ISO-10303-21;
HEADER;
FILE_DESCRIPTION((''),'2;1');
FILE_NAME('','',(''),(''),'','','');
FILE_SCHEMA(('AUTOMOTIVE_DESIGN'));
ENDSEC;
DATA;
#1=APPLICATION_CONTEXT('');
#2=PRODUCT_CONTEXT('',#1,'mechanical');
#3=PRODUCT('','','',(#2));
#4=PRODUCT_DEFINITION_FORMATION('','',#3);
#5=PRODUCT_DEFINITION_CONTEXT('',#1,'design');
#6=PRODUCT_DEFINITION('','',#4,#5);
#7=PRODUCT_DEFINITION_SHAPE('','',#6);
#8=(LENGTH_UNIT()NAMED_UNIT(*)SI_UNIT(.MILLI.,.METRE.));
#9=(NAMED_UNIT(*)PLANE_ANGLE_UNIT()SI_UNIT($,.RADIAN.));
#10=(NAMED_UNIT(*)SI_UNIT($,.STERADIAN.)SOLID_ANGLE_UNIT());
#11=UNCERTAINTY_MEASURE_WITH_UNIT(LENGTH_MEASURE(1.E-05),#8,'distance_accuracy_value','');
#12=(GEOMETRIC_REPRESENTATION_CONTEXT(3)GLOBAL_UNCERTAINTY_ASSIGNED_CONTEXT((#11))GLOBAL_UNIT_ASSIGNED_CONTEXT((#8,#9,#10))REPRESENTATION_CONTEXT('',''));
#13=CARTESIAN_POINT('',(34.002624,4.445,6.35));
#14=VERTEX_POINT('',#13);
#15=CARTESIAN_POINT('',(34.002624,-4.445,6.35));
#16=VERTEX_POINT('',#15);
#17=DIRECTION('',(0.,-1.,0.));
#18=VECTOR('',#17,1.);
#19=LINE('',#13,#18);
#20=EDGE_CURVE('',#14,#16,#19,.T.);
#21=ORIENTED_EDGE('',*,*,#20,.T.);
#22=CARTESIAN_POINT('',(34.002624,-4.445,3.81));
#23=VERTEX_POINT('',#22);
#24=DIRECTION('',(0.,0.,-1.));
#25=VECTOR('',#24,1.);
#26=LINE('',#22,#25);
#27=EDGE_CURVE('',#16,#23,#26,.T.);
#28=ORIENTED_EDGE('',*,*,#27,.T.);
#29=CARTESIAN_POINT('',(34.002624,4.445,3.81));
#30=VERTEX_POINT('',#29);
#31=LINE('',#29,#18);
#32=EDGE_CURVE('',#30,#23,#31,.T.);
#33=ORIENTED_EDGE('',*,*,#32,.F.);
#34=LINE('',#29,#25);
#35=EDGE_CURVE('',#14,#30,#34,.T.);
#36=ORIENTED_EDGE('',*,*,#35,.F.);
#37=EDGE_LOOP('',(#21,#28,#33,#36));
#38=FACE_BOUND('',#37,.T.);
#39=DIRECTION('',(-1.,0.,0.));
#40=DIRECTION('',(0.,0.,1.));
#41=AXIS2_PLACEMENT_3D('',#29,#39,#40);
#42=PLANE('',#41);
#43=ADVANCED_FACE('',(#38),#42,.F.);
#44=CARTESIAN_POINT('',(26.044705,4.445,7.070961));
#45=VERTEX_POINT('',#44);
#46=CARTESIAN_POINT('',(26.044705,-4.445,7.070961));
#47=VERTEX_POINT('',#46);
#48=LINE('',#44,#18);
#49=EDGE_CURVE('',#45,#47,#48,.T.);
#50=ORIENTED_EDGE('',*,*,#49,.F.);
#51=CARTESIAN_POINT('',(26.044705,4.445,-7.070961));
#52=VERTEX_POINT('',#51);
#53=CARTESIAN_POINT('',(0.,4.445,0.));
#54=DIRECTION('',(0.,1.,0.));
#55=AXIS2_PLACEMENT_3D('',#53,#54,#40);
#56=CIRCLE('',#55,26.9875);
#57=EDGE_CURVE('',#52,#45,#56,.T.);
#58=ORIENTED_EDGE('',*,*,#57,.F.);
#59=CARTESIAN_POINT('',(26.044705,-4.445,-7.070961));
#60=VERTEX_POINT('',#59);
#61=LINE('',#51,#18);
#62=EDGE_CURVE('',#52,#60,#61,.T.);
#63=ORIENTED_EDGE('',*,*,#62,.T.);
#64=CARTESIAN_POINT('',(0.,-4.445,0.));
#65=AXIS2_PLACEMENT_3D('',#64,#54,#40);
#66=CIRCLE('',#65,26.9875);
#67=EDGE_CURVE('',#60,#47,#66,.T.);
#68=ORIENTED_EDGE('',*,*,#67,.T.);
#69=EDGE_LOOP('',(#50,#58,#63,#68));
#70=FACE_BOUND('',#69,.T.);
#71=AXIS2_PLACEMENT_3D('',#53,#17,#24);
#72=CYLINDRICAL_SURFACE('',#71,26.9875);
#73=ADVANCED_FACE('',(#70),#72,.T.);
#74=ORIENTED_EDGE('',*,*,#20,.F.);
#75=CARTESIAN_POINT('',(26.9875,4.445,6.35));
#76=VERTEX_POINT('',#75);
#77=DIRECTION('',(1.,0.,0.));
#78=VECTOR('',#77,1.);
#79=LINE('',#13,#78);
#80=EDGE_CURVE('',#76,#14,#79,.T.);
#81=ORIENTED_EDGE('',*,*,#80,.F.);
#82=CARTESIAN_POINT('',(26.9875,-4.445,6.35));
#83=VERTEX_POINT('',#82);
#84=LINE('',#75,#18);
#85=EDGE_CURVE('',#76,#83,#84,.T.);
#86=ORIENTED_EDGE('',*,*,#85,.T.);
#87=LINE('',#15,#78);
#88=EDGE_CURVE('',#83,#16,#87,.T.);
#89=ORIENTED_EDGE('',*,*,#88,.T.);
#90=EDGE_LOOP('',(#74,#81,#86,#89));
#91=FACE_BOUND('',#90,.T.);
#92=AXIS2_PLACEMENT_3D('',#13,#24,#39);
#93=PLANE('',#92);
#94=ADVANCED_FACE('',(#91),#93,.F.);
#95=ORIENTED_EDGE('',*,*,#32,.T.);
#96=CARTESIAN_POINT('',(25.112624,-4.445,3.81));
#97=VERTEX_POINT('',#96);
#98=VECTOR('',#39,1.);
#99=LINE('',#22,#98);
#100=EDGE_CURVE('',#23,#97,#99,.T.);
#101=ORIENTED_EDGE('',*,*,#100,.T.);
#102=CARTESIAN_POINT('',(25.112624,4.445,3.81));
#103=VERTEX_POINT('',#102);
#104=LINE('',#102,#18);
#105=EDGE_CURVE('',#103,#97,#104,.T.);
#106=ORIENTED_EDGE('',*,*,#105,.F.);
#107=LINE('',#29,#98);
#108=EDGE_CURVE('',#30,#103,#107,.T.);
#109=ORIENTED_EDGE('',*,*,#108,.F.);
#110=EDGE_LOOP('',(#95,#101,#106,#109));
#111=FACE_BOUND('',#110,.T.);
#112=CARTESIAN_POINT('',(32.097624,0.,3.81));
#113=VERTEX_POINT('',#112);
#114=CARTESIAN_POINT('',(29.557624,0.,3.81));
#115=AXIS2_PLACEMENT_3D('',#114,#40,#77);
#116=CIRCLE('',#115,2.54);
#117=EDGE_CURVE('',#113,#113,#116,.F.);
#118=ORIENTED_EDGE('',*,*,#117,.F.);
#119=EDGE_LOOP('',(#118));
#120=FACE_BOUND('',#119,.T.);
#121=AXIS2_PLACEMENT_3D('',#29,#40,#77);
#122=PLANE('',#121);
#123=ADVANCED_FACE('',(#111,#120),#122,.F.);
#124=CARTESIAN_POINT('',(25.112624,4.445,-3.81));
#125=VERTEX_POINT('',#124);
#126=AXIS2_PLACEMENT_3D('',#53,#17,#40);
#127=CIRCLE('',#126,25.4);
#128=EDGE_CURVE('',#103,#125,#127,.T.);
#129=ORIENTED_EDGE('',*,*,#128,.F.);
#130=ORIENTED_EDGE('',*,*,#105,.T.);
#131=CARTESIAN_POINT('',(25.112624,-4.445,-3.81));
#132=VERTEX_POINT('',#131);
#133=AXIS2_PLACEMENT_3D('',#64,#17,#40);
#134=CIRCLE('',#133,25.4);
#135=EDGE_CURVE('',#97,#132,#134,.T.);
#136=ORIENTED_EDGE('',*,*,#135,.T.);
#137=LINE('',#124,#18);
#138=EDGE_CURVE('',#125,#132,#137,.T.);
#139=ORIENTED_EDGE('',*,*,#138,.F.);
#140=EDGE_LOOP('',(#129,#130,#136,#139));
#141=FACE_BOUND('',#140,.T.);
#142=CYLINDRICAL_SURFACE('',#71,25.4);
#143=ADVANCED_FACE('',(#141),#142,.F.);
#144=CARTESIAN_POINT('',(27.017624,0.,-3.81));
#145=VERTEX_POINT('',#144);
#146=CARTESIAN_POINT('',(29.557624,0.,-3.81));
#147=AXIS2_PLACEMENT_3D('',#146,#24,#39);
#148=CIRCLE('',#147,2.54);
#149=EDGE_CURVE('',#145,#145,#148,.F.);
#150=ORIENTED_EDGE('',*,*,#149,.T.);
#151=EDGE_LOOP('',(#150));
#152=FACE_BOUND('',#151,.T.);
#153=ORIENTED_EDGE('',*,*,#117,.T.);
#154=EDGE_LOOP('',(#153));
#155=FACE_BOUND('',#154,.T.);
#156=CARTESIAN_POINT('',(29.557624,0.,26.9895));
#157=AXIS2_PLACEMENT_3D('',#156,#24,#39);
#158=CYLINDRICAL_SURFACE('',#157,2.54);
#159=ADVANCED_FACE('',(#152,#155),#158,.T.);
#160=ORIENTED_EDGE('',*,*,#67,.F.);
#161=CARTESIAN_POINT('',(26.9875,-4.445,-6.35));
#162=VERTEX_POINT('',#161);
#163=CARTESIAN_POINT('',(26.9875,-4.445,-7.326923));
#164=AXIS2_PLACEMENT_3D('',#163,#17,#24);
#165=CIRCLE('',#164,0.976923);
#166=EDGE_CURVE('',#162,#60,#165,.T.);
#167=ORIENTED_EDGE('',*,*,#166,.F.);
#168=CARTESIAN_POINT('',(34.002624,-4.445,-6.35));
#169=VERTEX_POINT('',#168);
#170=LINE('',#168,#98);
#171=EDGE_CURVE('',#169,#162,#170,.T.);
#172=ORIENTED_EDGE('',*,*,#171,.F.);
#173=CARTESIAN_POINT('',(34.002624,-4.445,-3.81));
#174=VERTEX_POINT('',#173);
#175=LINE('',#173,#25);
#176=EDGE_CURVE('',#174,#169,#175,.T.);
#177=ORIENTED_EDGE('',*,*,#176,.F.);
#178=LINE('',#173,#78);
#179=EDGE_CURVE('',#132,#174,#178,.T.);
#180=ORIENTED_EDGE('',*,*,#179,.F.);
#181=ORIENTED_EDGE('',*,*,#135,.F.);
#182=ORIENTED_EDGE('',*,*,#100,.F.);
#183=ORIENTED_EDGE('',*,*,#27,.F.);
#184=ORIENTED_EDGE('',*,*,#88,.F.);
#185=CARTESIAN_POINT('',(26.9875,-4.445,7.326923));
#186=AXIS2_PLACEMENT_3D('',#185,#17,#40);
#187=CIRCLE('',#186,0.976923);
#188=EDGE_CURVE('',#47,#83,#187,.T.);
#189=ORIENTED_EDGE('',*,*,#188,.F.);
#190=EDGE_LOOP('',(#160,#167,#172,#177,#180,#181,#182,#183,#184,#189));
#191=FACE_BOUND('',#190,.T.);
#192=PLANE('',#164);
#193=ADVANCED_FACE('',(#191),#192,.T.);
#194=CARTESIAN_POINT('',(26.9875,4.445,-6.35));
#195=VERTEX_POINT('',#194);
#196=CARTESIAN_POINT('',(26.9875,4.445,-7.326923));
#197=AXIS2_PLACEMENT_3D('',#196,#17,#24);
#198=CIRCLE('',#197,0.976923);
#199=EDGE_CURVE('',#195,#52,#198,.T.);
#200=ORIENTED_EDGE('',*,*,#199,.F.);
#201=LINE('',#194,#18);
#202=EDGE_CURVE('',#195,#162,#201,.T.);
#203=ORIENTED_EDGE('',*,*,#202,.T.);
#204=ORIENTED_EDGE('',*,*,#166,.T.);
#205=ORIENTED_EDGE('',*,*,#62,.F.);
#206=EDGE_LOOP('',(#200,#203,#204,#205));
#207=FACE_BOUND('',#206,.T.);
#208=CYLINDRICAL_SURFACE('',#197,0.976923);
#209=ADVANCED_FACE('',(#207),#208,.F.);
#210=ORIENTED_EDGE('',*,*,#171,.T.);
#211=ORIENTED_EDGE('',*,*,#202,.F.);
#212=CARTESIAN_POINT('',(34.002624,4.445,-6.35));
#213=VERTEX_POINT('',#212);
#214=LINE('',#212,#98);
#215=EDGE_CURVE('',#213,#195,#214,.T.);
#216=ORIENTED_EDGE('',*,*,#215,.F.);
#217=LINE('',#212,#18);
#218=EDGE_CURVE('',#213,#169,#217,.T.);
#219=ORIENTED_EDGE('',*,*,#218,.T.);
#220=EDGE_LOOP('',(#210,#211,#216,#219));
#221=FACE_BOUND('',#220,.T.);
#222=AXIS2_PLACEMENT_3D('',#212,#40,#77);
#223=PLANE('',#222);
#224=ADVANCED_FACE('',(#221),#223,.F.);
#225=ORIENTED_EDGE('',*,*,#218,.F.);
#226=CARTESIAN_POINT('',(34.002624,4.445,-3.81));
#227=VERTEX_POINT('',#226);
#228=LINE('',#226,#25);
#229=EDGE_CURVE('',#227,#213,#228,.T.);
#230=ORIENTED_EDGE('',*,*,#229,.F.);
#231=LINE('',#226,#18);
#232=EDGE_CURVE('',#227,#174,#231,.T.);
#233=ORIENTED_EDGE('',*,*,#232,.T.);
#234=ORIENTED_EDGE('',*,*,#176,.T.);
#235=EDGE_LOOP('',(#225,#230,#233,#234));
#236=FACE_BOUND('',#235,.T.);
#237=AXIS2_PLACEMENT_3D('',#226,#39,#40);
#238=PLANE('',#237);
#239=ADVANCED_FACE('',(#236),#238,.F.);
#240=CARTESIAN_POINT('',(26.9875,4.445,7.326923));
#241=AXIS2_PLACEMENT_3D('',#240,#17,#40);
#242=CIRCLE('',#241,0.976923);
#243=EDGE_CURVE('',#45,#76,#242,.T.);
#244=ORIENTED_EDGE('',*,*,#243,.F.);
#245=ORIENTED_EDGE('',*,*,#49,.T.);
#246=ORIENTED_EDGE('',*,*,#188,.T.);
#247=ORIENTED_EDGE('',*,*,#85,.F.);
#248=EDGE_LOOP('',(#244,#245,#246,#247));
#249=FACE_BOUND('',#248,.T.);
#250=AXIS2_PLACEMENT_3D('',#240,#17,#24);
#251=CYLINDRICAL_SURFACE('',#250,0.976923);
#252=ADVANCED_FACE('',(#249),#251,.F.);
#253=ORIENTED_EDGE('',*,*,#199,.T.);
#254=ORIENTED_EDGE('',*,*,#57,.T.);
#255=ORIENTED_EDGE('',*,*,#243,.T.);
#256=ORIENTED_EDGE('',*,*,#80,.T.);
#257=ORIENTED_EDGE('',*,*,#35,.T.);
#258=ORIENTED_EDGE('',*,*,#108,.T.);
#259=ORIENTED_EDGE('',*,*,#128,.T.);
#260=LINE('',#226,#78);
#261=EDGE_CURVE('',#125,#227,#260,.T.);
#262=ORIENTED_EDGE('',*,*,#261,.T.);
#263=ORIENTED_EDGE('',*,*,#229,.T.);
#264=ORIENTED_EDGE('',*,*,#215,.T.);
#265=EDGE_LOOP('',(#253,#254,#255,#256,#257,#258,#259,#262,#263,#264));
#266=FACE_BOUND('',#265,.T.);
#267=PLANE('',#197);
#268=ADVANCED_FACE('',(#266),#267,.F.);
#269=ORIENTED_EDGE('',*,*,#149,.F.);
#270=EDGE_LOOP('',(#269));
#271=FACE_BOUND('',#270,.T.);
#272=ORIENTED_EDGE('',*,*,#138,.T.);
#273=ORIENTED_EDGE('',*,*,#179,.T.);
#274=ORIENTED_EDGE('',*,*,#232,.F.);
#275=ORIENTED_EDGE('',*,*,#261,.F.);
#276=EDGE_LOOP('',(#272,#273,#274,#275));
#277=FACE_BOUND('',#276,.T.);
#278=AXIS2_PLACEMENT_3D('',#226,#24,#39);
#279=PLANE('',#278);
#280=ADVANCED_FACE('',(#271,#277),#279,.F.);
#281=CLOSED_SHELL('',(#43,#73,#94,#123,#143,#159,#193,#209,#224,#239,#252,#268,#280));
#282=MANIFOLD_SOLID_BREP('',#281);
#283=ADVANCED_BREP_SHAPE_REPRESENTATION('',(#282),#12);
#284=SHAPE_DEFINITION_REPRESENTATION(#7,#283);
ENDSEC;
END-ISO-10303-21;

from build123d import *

# Parameters (mm, degrees)
BOSS_EXTRUDE1_DEPTH = 4.445
BOSS_EXTRUDE2_REACH = 32.797
SKETCH2_R           = 2.54


with BuildPart() as part:
    # Sketch1 → Boss-Extrude1 (new body, symmetric)
    with BuildSketch(Plane(origin=(0, 0, 0), x_dir=(1, 0, 0), z_dir=(0, 1, 0))):
        with BuildLine():
            Line((34.002624315, 3.81), (25.112624315, 3.81))
            ThreePointArc((25.112624315, 3.81), (-25.4, 0), (25.112624315, -3.81))
            Line((25.112624315, -3.81), (34.002624315, -3.81))
            Line((34.002624315, -3.81), (34.002624315, -6.35))
            Line((34.002624315, -6.35), (26.9875, -6.35))
            ThreePointArc((26.9875, -6.35), (26.394067972, -6.550896579), (26.04470524, -7.070960699))
            ThreePointArc((26.04470524, -7.070960699), (-26.9875, 0), (26.04470524, 7.070960699))
            ThreePointArc((26.04470524, 7.070960699), (26.394067972, 6.550896579), (26.9875, 6.35))
            Line((26.9875, 6.35), (34.002624315, 6.35))
            Line((34.002624315, 6.35), (34.002624315, 3.81))
        make_face()
    extrude(amount=BOSS_EXTRUDE1_DEPTH, both=True)

    # Sketch2 → Boss-Extrude2 (add, up to next)
    with BuildSketch(Plane.XY.offset(-3.81), mode=Mode.PRIVATE) as boss_extrude2_sk1:
        with Locations((29.557624315, 0)):
            Circle(SKETCH2_R)
    boss_extrude2_tool1 = extrude(boss_extrude2_sk1.sketch, amount=BOSS_EXTRUDE2_REACH, mode=Mode.PRIVATE) - part.part
    add(boss_extrude2_tool1.solids().sort_by_distance((29.557624, 0, -3.81))[0])


solid = part.part
